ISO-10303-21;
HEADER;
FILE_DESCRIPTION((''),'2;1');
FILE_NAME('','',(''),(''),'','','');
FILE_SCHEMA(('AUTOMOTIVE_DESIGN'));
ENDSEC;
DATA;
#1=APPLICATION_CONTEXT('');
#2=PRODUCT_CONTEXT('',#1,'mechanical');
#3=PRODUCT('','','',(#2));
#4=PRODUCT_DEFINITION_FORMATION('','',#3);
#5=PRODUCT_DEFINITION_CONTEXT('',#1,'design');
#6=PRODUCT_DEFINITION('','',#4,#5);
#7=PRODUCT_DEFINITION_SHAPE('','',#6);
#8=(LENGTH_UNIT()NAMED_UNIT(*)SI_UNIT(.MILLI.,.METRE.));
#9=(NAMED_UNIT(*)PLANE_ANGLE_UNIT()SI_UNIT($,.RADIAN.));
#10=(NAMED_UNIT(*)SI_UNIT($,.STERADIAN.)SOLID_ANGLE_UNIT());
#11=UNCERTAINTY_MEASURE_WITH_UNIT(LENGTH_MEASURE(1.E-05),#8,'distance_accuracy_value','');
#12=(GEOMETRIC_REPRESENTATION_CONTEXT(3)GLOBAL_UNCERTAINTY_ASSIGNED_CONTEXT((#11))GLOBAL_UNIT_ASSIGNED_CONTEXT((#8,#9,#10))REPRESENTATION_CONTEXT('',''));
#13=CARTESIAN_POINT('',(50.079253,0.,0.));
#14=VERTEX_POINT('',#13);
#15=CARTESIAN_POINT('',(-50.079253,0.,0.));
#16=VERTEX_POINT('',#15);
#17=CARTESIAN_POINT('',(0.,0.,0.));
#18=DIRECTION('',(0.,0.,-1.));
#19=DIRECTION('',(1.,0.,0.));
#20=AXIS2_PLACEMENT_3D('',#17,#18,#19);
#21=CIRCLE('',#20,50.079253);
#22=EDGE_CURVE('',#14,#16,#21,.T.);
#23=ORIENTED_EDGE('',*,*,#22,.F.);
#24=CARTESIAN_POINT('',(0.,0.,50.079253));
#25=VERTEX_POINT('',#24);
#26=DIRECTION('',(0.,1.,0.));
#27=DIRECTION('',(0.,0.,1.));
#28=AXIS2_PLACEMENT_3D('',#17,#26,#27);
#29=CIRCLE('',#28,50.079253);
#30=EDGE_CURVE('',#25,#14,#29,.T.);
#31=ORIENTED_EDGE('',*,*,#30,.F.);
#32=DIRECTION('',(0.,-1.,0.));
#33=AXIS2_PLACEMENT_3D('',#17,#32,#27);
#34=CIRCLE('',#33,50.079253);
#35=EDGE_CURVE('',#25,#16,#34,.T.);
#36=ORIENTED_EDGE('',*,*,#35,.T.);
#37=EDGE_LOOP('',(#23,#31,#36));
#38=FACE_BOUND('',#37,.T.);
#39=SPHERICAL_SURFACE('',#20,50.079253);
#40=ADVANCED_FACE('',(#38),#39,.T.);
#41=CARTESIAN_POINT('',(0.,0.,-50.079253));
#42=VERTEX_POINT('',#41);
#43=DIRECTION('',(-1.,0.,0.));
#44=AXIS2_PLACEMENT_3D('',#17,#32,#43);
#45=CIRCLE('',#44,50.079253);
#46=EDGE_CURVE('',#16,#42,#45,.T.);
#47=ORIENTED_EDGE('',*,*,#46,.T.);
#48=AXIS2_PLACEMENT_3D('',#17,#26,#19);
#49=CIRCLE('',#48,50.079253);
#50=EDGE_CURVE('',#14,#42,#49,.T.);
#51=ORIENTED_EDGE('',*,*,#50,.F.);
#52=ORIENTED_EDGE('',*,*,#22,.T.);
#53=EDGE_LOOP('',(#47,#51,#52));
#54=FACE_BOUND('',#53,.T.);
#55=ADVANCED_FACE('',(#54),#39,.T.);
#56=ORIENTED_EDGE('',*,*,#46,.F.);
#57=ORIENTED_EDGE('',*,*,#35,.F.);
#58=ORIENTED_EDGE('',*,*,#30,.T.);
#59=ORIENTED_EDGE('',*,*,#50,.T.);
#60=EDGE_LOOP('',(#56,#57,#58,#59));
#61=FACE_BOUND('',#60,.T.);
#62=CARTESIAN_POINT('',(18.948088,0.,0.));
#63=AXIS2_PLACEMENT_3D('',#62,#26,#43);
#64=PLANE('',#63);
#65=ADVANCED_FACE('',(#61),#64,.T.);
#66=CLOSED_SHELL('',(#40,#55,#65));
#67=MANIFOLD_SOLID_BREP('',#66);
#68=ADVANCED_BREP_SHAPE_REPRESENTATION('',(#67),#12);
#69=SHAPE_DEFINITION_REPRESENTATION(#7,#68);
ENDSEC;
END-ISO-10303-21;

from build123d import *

# Parameters (mm, degrees)
F1_ANGLE_BACK = 90
F1_ANGLE      = 180


with BuildPart() as f1:
    # F0 (on Right) → F1 (revolve)
    with BuildSketch(Plane.YZ, mode=Mode.PRIVATE) as f1_sk:
        with BuildLine():
            ThreePointArc((0, 50.0792525709), (-35.4113790896, 35.4113790896), (-50.0792525709, 0))
            ThreePointArc((-50.0792525709, 0), (-35.4113790896, -35.4113790896), (0, -50.0792525709))
            Line((0, -50.0792525709), (0, 50.0792525709))
        make_face()
    revolve(f1_sk.sketch.rotate(Axis((0, 0, 0), (0, 0, -1)), -F1_ANGLE_BACK), axis=Axis((0, 0, 0), (0, 0, -1)), revolution_arc=F1_ANGLE)


solid = f1.part
